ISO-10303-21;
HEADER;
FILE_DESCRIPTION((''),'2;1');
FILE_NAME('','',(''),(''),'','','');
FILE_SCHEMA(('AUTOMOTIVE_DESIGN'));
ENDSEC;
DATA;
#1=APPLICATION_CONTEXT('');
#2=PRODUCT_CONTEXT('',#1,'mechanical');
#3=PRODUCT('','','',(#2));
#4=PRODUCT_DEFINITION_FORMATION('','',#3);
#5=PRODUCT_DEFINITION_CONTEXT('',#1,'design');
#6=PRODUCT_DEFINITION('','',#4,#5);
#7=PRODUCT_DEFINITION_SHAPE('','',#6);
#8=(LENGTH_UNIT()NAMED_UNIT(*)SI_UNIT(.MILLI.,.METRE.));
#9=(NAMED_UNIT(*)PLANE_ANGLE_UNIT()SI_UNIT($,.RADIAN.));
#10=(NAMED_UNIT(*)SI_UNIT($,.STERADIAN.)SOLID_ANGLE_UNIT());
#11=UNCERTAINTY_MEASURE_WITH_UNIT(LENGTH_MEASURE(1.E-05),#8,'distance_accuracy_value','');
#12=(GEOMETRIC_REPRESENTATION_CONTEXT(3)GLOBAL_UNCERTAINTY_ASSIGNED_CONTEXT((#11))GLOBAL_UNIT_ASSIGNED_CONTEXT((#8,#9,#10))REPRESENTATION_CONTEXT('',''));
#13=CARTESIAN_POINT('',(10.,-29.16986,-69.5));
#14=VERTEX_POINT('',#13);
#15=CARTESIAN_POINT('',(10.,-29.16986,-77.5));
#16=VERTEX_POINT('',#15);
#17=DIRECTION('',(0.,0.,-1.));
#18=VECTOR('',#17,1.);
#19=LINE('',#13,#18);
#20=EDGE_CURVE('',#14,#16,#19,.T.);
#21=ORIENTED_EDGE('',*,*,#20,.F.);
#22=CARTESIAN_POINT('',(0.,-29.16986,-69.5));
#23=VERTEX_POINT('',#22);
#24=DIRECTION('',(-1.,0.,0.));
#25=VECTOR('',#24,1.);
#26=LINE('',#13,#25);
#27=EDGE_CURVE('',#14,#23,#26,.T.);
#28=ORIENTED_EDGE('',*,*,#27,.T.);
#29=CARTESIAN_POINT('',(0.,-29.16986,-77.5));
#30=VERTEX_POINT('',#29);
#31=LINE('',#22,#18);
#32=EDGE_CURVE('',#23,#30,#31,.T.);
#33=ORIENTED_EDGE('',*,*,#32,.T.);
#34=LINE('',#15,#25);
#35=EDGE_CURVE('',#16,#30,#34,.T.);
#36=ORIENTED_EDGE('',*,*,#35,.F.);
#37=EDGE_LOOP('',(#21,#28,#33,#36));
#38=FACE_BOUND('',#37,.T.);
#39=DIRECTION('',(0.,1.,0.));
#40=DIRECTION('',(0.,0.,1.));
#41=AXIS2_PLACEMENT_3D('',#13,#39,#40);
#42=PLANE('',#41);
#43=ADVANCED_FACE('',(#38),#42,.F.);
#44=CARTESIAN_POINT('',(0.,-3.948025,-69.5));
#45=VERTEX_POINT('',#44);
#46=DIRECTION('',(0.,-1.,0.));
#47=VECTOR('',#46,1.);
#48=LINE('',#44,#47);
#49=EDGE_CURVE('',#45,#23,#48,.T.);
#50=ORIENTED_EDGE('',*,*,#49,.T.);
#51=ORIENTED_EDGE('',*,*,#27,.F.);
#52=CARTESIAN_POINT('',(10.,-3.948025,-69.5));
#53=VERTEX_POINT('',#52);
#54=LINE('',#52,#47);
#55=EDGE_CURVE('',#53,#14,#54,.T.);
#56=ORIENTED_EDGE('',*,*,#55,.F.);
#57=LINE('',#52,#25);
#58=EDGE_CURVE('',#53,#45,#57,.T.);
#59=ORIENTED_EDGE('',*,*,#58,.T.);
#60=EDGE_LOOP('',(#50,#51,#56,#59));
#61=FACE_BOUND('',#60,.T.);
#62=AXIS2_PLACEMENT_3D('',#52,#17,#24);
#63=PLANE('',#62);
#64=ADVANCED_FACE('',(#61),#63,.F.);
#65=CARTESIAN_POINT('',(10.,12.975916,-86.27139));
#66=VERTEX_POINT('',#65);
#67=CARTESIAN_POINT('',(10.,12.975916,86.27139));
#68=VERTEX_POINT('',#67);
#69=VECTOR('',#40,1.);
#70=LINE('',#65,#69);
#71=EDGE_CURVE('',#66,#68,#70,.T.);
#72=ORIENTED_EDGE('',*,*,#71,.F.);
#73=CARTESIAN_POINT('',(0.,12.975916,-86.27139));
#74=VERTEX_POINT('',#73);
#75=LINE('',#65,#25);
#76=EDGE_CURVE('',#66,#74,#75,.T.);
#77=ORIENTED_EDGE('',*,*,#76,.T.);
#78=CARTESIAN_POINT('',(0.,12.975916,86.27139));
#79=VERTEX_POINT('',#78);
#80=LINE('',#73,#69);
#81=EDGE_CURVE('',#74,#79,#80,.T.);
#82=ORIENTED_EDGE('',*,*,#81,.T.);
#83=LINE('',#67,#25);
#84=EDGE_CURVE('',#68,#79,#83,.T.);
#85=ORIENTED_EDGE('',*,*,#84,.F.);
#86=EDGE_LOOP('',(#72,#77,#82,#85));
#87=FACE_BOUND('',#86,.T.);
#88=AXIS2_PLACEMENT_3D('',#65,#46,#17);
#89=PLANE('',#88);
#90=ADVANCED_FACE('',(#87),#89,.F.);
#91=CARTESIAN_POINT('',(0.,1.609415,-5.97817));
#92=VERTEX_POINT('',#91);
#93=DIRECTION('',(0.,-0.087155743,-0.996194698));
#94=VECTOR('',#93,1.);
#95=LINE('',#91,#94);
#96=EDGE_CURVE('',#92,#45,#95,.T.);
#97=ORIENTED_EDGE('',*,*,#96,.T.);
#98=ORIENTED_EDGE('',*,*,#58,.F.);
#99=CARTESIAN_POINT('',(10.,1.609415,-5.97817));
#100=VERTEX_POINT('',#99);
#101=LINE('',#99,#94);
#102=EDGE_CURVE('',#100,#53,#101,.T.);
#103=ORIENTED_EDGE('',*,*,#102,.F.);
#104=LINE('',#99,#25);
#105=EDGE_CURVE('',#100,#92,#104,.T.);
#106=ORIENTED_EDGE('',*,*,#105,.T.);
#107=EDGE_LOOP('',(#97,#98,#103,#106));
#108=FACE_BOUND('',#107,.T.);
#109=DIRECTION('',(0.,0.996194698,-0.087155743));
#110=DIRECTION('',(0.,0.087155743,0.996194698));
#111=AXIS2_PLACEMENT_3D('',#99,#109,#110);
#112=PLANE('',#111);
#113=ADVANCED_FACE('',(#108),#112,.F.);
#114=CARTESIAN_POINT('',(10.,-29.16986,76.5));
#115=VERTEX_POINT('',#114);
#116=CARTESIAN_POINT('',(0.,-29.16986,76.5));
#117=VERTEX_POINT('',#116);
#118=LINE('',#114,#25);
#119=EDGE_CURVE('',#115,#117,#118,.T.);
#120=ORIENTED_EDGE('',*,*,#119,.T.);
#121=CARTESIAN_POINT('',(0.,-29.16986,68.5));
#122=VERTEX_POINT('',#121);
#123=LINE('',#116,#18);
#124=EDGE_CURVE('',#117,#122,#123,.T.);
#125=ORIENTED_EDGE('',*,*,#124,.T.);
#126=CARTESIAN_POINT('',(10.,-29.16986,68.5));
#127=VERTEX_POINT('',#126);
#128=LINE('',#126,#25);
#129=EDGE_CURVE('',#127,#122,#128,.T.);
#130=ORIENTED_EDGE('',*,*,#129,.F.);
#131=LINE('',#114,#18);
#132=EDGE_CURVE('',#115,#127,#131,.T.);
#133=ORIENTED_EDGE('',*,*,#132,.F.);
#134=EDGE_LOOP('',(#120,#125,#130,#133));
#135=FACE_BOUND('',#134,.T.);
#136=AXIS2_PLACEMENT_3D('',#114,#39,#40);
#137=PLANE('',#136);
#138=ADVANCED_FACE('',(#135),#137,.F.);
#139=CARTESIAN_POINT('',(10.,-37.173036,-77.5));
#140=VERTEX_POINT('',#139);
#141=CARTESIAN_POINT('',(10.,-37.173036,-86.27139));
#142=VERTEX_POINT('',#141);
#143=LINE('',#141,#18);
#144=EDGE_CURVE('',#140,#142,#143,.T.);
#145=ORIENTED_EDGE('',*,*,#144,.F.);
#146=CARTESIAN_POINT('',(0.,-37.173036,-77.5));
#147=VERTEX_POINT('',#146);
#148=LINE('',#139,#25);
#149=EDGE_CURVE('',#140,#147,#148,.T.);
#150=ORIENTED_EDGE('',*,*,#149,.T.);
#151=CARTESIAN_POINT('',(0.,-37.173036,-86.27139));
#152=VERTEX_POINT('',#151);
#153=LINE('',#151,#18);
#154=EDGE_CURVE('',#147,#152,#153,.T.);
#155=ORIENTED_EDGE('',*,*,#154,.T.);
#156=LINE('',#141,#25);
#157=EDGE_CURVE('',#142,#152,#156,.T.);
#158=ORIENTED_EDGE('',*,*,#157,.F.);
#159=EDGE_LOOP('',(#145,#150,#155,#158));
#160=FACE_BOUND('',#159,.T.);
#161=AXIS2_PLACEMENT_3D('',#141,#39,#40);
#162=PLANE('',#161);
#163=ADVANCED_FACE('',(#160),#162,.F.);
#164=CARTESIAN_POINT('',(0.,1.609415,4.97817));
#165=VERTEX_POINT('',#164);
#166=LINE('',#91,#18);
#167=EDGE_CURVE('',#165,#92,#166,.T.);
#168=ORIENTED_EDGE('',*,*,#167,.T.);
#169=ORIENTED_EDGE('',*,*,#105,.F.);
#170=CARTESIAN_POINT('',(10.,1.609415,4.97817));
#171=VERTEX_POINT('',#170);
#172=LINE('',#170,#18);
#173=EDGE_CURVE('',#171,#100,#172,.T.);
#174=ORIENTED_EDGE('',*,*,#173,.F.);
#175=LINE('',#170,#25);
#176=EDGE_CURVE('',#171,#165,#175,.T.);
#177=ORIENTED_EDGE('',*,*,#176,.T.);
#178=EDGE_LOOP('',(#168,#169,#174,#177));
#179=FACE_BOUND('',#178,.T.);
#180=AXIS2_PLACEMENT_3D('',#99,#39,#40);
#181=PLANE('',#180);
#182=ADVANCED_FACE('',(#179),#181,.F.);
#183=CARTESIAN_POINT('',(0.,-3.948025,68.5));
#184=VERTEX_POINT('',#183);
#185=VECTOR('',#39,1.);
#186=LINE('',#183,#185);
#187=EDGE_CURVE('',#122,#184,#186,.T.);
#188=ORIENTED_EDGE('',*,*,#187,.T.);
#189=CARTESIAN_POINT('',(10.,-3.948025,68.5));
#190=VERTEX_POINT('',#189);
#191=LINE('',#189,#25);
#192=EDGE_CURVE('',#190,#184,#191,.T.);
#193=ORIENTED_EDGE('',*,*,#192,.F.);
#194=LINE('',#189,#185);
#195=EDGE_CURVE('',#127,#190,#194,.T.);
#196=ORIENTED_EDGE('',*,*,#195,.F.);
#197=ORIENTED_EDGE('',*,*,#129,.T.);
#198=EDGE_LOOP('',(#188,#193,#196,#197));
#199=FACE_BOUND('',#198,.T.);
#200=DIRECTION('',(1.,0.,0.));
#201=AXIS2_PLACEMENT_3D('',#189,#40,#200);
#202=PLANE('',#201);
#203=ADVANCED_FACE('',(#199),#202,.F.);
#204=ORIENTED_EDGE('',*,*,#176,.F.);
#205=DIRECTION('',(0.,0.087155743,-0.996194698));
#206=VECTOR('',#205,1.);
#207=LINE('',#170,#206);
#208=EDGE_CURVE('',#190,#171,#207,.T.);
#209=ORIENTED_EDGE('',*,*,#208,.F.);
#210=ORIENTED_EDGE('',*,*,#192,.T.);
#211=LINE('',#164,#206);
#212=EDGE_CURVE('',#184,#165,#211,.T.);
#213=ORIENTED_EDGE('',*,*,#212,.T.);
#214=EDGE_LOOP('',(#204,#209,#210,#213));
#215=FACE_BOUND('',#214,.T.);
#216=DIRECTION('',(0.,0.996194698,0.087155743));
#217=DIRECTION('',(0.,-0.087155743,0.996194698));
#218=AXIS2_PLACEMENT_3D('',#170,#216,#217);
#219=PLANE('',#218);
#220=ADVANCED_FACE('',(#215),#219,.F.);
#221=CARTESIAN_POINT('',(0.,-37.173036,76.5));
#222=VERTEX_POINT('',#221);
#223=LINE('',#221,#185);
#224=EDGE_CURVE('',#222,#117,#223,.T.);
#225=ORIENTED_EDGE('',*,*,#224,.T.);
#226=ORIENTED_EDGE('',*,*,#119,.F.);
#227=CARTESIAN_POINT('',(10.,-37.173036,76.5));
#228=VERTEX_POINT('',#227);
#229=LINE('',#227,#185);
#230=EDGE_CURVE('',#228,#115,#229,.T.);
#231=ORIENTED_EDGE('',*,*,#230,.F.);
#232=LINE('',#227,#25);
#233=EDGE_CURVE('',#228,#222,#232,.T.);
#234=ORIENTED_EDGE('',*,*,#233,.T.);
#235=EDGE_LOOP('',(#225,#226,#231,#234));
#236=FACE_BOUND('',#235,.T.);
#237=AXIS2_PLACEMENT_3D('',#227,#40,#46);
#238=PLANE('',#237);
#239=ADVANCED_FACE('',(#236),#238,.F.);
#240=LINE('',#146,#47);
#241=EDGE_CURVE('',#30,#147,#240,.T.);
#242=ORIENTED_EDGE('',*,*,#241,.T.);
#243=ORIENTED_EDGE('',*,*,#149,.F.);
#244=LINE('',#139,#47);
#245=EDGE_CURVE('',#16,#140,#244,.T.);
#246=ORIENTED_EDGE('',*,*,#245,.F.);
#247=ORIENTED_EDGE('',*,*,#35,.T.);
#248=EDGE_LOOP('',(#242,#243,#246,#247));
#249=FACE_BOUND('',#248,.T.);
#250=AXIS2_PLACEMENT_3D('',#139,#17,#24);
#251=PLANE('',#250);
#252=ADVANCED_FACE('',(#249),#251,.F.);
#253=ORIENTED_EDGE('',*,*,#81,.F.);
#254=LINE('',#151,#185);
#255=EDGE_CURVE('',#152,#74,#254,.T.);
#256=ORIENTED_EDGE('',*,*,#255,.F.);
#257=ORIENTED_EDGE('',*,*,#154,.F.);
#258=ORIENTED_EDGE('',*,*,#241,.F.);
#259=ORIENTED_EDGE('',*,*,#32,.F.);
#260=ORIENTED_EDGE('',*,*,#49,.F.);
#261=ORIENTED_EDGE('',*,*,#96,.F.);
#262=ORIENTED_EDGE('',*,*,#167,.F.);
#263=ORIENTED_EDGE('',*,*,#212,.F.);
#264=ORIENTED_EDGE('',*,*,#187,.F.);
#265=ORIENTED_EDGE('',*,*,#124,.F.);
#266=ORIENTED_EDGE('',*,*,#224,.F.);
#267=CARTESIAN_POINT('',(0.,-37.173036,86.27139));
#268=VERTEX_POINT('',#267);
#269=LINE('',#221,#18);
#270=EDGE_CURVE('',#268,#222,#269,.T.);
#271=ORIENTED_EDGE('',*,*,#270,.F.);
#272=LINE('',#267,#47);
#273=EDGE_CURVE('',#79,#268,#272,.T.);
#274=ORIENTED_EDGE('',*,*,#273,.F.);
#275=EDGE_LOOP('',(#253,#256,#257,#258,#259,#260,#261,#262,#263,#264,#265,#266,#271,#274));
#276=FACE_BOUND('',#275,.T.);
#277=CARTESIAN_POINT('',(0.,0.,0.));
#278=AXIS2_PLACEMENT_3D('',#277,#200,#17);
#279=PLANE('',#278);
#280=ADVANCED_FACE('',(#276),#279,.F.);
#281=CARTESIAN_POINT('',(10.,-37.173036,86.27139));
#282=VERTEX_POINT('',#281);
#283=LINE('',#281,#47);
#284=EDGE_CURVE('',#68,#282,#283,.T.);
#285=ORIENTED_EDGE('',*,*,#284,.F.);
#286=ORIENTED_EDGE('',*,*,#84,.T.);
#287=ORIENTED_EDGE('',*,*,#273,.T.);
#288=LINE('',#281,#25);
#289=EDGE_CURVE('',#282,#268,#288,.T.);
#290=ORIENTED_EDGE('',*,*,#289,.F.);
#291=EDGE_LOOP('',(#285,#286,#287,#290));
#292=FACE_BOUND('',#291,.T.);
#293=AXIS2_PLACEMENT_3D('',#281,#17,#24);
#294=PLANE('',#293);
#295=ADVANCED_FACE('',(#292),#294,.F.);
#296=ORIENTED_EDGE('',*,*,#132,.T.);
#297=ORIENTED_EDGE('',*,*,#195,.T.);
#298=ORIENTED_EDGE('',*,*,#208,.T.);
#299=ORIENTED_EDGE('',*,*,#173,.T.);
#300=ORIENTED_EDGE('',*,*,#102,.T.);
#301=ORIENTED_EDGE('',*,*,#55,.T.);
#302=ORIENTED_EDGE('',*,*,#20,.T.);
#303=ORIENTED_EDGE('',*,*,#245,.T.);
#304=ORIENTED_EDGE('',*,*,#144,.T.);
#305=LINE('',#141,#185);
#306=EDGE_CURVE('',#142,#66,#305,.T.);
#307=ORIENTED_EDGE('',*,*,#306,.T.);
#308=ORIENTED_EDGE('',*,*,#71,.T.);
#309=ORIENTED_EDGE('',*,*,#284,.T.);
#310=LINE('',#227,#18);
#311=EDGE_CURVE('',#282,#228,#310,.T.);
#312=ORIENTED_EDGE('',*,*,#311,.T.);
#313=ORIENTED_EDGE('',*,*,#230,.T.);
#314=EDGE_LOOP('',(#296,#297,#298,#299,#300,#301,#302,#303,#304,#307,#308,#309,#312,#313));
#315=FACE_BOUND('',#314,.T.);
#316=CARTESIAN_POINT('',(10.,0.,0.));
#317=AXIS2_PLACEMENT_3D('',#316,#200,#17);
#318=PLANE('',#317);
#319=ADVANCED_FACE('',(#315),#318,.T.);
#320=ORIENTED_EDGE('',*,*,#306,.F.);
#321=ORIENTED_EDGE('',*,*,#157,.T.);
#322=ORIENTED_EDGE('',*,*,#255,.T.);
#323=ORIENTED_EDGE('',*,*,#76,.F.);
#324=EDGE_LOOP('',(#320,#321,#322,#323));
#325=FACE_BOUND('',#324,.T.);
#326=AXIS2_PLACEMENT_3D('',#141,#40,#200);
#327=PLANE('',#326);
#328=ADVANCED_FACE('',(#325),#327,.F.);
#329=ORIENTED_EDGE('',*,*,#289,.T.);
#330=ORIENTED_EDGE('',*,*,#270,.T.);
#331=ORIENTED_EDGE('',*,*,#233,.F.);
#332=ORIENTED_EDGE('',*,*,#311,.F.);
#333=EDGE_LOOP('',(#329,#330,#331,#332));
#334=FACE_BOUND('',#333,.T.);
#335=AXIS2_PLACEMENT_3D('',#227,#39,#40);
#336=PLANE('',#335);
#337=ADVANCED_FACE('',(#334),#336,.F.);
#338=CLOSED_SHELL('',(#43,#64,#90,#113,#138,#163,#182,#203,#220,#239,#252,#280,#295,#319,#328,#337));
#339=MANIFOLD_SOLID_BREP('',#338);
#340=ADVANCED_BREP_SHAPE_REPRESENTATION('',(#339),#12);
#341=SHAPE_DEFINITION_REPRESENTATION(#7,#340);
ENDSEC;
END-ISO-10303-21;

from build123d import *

# Parameters (mm, degrees)
RESSALTO_EXTRUS_O2_DEPTH = 10


with BuildPart() as part:
    # Esboço2 → Ressalto-extrusão2 (new body)
    with BuildSketch(Plane(origin=(0, 0, 0), x_dir=(0, 0, -1), z_dir=(1, 0, 0))):
        Polygon((-76.5, -37.173036245), (-86.271390261, -37.173036245), (-86.271390261, 12.975916329), (86.271390261, 12.975916329), (86.271390261, -37.173036245), (77.5, -37.173036245), (77.5, -29.169859635), (69.5, -29.169859635), (69.5, -3.948025217), (5.978169529, 1.609414836), (0, 1.609414836), (-4.978169529, 1.609414836), (-68.5, -3.948025217), (-68.5, -29.169859635), (-76.5, -29.169859635), align=None)
    extrude(amount=RESSALTO_EXTRUS_O2_DEPTH)


solid = part.part
